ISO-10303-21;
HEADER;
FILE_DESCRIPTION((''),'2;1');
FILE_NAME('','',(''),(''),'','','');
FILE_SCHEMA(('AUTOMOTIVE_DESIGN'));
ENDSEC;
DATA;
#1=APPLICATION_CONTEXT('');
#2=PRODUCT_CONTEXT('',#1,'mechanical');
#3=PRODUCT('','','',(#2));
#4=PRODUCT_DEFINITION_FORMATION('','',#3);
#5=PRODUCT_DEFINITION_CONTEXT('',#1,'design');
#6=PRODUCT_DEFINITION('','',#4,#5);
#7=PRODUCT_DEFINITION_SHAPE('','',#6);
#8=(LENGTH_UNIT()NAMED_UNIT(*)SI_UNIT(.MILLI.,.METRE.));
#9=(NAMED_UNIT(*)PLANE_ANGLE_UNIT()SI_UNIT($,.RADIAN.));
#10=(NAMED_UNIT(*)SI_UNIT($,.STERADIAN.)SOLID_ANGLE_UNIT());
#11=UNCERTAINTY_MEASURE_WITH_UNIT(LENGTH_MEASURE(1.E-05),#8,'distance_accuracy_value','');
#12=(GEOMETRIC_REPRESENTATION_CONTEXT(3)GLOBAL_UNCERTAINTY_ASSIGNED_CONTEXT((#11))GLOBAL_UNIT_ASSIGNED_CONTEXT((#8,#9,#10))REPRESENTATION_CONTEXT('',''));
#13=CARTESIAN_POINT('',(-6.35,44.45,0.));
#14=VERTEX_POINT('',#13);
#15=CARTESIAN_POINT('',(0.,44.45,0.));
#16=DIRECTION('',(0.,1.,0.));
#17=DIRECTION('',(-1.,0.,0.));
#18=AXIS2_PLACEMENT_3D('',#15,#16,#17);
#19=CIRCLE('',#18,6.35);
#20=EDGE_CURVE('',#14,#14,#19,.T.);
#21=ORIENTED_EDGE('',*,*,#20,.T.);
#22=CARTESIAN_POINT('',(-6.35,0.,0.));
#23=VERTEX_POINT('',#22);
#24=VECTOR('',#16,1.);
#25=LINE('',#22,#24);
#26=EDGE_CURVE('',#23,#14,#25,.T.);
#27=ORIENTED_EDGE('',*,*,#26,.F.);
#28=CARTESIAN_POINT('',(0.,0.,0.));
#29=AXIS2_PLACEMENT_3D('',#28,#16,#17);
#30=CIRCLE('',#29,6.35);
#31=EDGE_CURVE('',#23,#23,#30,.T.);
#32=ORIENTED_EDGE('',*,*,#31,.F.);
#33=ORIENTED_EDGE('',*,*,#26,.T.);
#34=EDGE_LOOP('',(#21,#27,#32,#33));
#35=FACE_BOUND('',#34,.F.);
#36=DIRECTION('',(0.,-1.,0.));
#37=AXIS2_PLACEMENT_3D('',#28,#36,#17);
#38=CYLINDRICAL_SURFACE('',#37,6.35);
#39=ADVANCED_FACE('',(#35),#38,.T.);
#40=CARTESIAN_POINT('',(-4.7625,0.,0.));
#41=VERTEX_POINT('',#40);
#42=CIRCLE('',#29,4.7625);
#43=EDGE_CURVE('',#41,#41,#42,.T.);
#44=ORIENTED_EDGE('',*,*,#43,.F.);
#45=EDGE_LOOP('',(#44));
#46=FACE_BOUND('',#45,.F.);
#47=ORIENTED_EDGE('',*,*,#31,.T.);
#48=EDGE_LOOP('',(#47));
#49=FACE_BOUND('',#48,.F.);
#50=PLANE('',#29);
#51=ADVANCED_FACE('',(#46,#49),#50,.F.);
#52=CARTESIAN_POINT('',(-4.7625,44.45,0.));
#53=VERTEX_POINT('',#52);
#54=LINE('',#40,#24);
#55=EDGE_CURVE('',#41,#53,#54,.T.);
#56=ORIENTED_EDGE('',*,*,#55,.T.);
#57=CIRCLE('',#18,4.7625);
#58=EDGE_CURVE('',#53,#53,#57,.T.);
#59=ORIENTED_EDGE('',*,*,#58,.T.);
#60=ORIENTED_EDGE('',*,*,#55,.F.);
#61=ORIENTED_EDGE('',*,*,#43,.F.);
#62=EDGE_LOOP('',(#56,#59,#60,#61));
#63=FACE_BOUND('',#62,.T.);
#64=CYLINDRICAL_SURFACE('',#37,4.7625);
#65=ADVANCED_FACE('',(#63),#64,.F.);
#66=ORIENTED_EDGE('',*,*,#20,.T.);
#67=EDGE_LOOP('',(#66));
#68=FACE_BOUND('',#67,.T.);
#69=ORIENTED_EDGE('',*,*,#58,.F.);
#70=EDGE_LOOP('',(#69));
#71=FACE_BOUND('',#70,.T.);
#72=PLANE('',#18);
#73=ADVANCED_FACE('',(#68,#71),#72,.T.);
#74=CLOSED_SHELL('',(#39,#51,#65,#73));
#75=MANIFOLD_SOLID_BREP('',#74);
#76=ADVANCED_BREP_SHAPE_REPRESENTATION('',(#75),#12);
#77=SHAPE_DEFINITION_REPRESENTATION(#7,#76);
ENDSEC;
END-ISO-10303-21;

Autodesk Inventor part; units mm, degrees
ref_plane "YZ Plane" through (0, 0, 0) normal (1, 0, 0) x (0, 1, 0)
ref_plane "XZ Plane" through (0, 0, 0) normal (0, 1, 0) x (-1, 0, 0)
ref_plane "XY Plane" through (0, 0, 0) normal (0, 0, 1) x (1, 0, 0)
sketch "Sketch1" plane through (0, 0, 0) normal (0, 1, 0) x (-1, 0, 0)
  circle A0 centre (0, 0) radius 6.35
  circle A1 centre (0, 0) radius 4.7625
  dimension "d0" = 12.7
  dimension "d1" = 1.5875
extrude "Extrusion1" add sketch "Sketch1" along normal blind 44.45
properties part number "gripper long spacers"
